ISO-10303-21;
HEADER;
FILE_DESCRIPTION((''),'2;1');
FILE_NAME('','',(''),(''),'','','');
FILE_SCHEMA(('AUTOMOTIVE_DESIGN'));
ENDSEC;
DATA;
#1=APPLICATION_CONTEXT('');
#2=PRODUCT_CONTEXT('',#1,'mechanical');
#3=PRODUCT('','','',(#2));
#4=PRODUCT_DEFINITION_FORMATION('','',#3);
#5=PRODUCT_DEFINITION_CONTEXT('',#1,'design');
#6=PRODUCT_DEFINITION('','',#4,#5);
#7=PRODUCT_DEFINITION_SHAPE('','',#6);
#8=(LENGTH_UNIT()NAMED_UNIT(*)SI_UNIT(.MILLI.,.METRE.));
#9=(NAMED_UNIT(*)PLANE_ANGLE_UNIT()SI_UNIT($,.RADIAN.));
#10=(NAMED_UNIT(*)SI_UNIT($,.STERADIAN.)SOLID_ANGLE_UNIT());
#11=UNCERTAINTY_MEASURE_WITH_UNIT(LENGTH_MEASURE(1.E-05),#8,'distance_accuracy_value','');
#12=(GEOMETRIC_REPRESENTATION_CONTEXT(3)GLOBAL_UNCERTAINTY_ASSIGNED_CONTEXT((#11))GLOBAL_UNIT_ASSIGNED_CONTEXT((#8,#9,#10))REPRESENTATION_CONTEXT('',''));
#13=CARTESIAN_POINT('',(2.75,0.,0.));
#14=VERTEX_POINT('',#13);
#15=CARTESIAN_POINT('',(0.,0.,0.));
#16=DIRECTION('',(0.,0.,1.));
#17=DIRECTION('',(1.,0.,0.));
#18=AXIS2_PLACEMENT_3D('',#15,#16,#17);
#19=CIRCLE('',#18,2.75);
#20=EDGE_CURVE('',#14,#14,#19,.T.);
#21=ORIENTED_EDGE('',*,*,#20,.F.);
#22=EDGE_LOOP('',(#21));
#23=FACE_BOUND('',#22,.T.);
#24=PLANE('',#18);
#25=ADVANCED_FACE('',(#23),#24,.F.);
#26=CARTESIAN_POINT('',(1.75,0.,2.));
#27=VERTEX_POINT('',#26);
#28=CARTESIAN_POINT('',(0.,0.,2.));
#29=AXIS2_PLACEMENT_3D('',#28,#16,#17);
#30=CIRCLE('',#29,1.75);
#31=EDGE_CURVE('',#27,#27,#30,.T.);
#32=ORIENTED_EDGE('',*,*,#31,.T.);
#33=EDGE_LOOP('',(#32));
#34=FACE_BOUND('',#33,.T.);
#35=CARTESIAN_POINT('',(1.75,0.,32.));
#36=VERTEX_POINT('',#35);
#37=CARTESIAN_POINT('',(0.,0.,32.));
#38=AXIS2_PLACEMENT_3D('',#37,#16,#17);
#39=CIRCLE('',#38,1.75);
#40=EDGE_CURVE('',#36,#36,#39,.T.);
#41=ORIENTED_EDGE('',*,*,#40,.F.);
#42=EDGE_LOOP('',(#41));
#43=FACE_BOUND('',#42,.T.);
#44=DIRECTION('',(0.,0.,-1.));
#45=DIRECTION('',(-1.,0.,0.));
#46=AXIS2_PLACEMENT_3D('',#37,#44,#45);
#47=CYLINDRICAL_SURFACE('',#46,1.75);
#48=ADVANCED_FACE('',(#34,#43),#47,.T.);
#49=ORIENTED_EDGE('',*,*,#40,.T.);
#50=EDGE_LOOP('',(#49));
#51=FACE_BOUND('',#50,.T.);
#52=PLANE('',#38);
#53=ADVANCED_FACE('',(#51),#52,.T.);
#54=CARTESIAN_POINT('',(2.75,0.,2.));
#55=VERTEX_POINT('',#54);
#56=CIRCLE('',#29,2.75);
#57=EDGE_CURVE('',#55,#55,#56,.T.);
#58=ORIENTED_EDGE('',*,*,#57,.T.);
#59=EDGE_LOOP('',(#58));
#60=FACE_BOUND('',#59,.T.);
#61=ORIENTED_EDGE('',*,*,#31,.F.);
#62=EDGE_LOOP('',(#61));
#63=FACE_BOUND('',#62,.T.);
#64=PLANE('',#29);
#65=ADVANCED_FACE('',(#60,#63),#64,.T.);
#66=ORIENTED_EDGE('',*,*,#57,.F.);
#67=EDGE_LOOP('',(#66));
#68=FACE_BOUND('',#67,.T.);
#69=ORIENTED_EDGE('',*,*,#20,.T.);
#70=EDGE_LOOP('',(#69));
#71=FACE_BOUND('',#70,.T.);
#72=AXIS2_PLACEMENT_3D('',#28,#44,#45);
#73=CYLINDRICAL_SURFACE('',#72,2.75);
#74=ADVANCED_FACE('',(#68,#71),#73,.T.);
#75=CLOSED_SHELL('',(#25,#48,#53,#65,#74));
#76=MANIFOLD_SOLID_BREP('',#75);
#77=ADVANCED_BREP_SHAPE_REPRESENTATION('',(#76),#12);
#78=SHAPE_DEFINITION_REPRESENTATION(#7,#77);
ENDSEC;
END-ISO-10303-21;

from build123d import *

# Parameters (mm, degrees)
SKETCH_1_R      = 2.75
EXTRUDE_1_DEPTH = 2
SKETCH_2_R      = 1.75
EXTRUDE_2_DEPTH = 30


with BuildPart() as part:
    # 草圖1 → 伸長1 (new body)
    with BuildSketch(Plane.XY):
        Circle(SKETCH_1_R)
    extrude(amount=EXTRUDE_1_DEPTH)

    # 草圖2 → 伸長2 (add)
    with BuildSketch(Plane.XY.offset(2)):
        Circle(SKETCH_2_R)
    extrude(amount=EXTRUDE_2_DEPTH)


solid = part.part
